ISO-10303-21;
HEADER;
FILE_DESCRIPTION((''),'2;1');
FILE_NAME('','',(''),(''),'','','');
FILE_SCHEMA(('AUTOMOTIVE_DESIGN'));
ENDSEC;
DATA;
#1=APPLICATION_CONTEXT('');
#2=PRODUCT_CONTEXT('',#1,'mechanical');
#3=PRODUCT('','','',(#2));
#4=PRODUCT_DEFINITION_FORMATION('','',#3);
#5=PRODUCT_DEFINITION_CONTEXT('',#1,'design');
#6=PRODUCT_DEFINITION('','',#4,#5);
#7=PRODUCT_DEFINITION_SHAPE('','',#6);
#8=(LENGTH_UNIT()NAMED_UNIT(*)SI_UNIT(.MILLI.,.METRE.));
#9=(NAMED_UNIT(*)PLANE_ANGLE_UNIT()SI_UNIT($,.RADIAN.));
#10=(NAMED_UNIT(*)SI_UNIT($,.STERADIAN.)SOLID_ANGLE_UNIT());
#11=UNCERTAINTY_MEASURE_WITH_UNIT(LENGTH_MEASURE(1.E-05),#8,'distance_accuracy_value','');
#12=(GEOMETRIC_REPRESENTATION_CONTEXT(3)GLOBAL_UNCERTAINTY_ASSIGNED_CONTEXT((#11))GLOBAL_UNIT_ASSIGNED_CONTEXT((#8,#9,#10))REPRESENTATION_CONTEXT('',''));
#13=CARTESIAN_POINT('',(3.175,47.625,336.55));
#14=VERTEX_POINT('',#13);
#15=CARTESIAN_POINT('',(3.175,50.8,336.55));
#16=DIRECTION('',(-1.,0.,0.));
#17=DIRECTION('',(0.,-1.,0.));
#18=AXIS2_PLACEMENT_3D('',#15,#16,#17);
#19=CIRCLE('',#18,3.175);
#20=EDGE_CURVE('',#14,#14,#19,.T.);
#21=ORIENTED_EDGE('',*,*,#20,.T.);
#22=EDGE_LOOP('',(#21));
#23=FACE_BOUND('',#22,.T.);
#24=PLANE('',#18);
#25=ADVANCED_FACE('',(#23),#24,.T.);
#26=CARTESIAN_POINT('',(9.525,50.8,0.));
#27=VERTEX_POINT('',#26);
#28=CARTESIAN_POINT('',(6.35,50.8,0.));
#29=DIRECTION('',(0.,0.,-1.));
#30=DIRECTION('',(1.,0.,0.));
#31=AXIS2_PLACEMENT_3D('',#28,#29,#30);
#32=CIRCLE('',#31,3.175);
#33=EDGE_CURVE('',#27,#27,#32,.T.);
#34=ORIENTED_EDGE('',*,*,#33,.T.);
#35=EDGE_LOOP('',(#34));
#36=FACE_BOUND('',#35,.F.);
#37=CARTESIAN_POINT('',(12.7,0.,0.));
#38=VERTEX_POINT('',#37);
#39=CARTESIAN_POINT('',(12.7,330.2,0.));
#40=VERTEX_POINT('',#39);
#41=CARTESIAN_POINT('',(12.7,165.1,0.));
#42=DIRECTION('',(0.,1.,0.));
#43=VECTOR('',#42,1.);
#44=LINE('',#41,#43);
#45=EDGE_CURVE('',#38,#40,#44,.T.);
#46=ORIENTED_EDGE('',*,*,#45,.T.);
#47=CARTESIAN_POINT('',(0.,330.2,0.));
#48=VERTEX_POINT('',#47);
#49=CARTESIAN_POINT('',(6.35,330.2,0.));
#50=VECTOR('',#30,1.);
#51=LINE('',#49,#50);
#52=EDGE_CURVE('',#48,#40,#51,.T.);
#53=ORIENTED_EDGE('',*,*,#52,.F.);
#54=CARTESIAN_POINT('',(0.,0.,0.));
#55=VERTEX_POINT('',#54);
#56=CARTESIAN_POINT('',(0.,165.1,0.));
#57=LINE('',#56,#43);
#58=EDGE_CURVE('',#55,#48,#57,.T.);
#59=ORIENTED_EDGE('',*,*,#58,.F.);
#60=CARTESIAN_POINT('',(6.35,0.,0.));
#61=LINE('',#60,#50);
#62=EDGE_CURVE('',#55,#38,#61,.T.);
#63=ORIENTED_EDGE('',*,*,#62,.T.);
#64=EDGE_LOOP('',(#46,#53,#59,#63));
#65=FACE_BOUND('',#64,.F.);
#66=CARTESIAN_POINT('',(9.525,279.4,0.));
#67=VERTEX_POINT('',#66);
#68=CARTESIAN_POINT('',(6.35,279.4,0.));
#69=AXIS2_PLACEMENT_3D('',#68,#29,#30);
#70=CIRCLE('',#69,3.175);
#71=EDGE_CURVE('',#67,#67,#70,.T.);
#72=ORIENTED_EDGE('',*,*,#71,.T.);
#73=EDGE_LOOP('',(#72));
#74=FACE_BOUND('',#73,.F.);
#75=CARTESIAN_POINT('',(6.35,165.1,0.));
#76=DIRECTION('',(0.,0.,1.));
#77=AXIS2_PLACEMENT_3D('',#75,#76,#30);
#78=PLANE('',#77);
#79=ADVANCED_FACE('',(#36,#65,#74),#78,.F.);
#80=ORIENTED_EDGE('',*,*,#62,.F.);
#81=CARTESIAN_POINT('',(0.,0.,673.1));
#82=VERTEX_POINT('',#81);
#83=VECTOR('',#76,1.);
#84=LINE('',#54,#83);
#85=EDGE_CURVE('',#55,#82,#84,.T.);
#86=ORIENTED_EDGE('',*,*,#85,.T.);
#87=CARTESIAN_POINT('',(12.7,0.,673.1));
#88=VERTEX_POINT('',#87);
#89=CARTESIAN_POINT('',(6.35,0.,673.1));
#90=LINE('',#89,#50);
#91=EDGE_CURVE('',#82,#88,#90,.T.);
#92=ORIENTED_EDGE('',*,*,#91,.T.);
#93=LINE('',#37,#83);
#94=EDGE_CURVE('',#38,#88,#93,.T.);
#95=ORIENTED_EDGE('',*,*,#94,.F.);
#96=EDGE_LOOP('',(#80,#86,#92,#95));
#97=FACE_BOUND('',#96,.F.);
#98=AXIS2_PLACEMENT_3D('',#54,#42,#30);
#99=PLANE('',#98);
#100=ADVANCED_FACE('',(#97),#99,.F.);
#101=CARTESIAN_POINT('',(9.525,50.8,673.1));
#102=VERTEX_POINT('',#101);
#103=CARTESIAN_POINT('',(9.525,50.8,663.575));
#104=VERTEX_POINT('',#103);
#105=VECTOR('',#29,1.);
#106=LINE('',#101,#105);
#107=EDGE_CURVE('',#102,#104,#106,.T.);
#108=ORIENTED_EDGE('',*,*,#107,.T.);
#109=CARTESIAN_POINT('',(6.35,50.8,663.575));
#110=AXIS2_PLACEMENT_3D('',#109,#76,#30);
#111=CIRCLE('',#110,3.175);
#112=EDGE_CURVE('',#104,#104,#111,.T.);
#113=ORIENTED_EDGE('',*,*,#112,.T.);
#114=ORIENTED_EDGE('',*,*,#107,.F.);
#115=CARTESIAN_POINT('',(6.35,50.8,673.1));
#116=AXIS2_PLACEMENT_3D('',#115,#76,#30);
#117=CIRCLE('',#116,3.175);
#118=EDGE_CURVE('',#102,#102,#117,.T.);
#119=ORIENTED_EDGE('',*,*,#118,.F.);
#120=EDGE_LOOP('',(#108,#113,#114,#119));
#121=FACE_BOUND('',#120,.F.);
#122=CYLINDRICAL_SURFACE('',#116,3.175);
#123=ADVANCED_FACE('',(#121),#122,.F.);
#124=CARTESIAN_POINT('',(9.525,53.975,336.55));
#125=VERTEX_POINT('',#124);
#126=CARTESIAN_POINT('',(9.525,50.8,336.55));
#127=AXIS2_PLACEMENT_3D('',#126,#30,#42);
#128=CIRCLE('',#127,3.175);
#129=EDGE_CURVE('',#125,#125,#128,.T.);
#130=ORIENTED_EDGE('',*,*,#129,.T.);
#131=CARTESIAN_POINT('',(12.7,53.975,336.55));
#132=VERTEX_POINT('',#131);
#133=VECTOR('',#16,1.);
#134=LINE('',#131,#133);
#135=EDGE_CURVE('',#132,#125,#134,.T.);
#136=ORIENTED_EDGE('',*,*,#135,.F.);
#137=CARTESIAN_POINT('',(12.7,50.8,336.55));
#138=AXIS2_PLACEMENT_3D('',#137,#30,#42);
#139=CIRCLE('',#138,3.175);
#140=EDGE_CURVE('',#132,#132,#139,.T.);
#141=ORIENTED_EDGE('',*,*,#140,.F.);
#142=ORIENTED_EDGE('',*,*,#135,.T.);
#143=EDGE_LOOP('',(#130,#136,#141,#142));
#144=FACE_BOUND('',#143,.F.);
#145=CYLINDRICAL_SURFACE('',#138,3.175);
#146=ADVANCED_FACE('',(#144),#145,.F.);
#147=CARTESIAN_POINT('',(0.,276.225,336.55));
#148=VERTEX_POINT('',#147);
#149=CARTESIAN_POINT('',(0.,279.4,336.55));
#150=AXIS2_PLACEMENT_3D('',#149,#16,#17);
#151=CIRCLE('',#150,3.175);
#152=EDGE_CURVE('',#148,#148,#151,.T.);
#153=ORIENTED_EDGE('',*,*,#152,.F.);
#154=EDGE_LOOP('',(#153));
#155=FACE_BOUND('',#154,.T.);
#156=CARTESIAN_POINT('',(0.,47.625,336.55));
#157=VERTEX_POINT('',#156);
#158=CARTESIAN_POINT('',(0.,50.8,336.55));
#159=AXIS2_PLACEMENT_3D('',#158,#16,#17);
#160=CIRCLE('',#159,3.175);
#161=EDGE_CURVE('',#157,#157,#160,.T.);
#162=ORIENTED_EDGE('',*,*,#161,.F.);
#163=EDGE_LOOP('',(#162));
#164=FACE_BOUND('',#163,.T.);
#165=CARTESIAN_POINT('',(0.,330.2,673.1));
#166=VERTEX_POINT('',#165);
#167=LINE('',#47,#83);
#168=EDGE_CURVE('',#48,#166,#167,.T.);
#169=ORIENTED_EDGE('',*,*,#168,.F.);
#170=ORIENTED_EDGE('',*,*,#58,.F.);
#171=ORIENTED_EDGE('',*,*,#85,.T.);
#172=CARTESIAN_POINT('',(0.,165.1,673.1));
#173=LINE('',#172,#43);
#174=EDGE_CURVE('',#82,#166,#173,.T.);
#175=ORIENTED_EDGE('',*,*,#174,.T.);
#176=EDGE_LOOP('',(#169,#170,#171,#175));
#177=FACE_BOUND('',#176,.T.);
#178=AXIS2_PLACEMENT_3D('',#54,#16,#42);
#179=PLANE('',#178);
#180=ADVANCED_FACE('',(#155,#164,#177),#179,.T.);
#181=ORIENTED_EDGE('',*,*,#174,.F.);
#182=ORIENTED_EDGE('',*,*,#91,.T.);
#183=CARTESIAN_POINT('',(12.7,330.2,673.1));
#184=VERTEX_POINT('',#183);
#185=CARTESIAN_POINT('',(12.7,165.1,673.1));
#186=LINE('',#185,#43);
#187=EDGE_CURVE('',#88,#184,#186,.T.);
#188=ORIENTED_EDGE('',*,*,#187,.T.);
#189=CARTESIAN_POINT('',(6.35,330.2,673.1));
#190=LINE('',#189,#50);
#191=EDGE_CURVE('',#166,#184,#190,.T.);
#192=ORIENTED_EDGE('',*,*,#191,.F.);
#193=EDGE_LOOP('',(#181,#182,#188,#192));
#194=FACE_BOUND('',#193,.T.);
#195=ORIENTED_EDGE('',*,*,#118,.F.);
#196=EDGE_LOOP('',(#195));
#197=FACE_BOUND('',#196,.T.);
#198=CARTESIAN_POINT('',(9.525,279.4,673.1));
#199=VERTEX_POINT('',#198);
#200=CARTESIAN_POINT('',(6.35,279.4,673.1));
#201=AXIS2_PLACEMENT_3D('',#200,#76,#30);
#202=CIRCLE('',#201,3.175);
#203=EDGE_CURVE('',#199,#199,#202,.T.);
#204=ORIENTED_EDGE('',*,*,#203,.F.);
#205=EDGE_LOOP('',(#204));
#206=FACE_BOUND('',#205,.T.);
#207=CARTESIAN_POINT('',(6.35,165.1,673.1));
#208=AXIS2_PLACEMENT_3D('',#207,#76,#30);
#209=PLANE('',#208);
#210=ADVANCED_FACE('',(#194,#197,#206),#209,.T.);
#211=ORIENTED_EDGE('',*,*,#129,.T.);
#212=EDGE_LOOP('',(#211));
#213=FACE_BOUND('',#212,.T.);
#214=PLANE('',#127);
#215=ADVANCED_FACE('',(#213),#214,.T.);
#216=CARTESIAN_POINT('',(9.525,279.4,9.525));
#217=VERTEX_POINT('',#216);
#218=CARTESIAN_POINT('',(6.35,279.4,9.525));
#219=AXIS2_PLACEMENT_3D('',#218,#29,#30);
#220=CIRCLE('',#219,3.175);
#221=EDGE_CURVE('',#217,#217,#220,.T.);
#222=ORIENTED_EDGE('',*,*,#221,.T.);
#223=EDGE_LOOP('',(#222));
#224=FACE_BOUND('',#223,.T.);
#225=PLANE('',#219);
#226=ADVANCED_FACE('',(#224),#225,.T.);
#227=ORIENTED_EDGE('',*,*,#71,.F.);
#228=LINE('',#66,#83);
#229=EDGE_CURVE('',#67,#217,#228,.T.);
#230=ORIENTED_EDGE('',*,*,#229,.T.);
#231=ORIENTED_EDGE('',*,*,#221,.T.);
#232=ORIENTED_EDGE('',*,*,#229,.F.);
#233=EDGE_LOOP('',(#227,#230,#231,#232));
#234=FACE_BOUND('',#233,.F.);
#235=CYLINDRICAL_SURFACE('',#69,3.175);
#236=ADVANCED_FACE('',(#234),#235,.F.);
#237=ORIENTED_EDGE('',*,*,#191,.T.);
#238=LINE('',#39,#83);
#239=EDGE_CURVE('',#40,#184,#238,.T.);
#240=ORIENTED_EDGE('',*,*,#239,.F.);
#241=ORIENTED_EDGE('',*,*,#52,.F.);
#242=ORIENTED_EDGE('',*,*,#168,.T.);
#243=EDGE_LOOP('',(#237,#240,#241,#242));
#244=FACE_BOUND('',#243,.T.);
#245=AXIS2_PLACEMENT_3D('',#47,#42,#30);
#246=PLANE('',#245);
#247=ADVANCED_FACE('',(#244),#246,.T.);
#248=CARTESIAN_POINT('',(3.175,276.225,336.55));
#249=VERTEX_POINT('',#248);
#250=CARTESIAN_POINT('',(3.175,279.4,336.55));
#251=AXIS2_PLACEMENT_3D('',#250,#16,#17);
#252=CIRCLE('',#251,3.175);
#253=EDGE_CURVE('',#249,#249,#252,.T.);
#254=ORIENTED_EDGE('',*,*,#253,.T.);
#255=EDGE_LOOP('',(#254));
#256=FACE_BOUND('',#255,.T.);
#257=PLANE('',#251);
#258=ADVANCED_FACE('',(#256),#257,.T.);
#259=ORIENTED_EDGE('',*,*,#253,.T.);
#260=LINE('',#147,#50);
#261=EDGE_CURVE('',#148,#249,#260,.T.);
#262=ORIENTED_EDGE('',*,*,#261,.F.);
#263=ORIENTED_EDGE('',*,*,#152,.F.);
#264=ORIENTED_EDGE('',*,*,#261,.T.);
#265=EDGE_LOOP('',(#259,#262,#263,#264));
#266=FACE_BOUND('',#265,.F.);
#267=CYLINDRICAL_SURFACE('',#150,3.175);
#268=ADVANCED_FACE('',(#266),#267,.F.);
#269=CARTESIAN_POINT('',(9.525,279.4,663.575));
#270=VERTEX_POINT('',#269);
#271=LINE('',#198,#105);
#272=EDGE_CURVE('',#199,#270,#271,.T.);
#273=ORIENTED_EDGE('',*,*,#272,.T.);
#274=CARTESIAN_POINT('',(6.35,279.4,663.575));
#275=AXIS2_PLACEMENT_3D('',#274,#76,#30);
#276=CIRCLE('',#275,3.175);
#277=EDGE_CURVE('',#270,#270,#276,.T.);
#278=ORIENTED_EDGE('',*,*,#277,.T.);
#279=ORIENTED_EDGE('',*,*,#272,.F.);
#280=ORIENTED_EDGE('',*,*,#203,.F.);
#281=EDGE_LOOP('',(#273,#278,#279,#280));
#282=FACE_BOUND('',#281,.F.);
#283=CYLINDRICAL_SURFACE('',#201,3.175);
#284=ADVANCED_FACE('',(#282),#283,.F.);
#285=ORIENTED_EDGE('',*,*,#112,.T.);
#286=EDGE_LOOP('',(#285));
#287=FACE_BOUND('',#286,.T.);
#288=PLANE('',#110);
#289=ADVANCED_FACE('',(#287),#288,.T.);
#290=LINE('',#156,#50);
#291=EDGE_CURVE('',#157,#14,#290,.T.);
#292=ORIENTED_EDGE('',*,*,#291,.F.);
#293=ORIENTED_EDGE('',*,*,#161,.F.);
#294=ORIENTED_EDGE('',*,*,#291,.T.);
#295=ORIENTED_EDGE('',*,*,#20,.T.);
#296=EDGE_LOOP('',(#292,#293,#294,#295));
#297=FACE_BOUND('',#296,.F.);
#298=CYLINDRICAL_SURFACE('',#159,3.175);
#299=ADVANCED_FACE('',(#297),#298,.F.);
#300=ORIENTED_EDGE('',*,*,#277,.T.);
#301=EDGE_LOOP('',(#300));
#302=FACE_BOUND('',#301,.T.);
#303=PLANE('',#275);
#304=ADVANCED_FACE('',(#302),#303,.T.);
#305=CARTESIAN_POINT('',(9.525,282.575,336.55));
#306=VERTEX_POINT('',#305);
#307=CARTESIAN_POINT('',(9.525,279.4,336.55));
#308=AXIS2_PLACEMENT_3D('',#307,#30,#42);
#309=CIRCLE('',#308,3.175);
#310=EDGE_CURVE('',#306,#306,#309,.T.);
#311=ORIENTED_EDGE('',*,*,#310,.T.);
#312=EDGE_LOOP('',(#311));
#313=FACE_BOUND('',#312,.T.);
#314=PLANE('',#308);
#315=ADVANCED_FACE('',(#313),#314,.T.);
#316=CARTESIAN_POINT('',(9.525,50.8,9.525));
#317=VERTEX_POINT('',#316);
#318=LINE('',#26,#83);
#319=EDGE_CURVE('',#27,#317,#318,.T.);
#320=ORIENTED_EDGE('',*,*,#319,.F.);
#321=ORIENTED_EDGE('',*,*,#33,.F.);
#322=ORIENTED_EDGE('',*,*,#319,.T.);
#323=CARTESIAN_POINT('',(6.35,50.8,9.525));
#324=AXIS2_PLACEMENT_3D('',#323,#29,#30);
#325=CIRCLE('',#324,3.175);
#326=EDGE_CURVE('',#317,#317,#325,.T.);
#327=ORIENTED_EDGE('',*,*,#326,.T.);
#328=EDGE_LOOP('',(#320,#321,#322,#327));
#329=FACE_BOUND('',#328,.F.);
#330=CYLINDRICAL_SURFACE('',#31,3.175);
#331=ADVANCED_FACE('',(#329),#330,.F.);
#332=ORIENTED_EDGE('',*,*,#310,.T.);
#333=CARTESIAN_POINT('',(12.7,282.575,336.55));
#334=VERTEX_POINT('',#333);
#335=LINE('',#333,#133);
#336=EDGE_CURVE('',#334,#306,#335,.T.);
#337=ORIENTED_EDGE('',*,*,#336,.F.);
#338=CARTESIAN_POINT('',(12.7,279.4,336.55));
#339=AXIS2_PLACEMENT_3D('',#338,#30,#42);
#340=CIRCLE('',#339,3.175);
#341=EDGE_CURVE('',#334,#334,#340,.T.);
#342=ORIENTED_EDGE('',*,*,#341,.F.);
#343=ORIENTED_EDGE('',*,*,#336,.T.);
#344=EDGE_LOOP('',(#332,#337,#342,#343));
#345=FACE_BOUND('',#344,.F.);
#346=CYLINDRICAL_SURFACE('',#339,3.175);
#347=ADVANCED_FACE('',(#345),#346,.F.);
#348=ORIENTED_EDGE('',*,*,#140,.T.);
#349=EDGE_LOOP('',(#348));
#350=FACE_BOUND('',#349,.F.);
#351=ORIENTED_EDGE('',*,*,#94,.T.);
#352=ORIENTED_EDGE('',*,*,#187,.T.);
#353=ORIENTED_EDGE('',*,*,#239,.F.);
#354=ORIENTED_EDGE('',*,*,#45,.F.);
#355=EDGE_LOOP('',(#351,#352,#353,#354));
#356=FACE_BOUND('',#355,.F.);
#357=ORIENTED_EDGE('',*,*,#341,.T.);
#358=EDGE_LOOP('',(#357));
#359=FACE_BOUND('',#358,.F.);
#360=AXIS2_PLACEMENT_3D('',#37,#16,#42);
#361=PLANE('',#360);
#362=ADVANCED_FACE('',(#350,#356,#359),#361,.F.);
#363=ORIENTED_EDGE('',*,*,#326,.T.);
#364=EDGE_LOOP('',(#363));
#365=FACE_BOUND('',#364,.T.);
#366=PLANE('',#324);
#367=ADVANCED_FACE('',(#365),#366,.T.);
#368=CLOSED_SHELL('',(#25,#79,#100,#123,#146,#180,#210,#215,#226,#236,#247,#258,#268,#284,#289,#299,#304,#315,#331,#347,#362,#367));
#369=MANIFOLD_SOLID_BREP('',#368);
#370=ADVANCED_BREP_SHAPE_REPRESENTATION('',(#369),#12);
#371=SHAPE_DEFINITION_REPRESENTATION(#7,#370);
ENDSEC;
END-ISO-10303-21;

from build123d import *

# Parameters (mm, degrees)
F0_W     = 12.7
F0_H     = 330.2
F1_DEPTH = 673.1
F2_R     = 3.175
F3_DEPTH = 9.525
F4_R     = 3.175
F5_DEPTH = 9.525
F6_R     = 3.175
F8_DEPTH = 3.175
F7_R     = 3.175
F9_DEPTH = 3.175


with BuildPart() as f1:
    # F0 (on Top) → F1 (new body)
    with BuildSketch(Plane.XY):
        with Locations((6.35, 165.1)):
            Rectangle(F0_W, F0_H)
    extrude(amount=F1_DEPTH)

    # F2 (on face) → F3 (cut)
    with BuildSketch(Plane(origin=(0, 0, 0), x_dir=(1, 0, 0), z_dir=(0, 0, -1))):
        with Locations((6.35, -50.8)):
            Circle(F2_R)
        with Locations((6.35, -279.4)):
            Circle(F2_R)
    extrude(amount=-F3_DEPTH, mode=Mode.SUBTRACT)

    # F4 (on face) → F5 (cut)
    with BuildSketch(Plane.XY.offset(673.1)):
        with Locations((6.35, 279.4)):
            Circle(F4_R)
        with Locations((6.35, 50.8)):
            Circle(F4_R)
    extrude(amount=-F5_DEPTH, mode=Mode.SUBTRACT)

    # F6 (on face) → F8 (cut)
    with BuildSketch(Plane(origin=(0, 0, 0), x_dir=(0, -1, 0), z_dir=(-1, 0, 0))):
        with Locations((-279.4, 336.55)):
            Circle(F6_R)
        with Locations((-50.8, 336.55)):
            Circle(F6_R)
    extrude(amount=-F8_DEPTH, mode=Mode.SUBTRACT)

    # F7 (on face) → F9 (cut)
    with BuildSketch(Plane.YZ.offset(12.7)):
        with Locations((50.8, 336.55)):
            Circle(F7_R)
        with Locations((279.4, 336.55)):
            Circle(F7_R)
    extrude(amount=-F9_DEPTH, mode=Mode.SUBTRACT)


solid = f1.part
